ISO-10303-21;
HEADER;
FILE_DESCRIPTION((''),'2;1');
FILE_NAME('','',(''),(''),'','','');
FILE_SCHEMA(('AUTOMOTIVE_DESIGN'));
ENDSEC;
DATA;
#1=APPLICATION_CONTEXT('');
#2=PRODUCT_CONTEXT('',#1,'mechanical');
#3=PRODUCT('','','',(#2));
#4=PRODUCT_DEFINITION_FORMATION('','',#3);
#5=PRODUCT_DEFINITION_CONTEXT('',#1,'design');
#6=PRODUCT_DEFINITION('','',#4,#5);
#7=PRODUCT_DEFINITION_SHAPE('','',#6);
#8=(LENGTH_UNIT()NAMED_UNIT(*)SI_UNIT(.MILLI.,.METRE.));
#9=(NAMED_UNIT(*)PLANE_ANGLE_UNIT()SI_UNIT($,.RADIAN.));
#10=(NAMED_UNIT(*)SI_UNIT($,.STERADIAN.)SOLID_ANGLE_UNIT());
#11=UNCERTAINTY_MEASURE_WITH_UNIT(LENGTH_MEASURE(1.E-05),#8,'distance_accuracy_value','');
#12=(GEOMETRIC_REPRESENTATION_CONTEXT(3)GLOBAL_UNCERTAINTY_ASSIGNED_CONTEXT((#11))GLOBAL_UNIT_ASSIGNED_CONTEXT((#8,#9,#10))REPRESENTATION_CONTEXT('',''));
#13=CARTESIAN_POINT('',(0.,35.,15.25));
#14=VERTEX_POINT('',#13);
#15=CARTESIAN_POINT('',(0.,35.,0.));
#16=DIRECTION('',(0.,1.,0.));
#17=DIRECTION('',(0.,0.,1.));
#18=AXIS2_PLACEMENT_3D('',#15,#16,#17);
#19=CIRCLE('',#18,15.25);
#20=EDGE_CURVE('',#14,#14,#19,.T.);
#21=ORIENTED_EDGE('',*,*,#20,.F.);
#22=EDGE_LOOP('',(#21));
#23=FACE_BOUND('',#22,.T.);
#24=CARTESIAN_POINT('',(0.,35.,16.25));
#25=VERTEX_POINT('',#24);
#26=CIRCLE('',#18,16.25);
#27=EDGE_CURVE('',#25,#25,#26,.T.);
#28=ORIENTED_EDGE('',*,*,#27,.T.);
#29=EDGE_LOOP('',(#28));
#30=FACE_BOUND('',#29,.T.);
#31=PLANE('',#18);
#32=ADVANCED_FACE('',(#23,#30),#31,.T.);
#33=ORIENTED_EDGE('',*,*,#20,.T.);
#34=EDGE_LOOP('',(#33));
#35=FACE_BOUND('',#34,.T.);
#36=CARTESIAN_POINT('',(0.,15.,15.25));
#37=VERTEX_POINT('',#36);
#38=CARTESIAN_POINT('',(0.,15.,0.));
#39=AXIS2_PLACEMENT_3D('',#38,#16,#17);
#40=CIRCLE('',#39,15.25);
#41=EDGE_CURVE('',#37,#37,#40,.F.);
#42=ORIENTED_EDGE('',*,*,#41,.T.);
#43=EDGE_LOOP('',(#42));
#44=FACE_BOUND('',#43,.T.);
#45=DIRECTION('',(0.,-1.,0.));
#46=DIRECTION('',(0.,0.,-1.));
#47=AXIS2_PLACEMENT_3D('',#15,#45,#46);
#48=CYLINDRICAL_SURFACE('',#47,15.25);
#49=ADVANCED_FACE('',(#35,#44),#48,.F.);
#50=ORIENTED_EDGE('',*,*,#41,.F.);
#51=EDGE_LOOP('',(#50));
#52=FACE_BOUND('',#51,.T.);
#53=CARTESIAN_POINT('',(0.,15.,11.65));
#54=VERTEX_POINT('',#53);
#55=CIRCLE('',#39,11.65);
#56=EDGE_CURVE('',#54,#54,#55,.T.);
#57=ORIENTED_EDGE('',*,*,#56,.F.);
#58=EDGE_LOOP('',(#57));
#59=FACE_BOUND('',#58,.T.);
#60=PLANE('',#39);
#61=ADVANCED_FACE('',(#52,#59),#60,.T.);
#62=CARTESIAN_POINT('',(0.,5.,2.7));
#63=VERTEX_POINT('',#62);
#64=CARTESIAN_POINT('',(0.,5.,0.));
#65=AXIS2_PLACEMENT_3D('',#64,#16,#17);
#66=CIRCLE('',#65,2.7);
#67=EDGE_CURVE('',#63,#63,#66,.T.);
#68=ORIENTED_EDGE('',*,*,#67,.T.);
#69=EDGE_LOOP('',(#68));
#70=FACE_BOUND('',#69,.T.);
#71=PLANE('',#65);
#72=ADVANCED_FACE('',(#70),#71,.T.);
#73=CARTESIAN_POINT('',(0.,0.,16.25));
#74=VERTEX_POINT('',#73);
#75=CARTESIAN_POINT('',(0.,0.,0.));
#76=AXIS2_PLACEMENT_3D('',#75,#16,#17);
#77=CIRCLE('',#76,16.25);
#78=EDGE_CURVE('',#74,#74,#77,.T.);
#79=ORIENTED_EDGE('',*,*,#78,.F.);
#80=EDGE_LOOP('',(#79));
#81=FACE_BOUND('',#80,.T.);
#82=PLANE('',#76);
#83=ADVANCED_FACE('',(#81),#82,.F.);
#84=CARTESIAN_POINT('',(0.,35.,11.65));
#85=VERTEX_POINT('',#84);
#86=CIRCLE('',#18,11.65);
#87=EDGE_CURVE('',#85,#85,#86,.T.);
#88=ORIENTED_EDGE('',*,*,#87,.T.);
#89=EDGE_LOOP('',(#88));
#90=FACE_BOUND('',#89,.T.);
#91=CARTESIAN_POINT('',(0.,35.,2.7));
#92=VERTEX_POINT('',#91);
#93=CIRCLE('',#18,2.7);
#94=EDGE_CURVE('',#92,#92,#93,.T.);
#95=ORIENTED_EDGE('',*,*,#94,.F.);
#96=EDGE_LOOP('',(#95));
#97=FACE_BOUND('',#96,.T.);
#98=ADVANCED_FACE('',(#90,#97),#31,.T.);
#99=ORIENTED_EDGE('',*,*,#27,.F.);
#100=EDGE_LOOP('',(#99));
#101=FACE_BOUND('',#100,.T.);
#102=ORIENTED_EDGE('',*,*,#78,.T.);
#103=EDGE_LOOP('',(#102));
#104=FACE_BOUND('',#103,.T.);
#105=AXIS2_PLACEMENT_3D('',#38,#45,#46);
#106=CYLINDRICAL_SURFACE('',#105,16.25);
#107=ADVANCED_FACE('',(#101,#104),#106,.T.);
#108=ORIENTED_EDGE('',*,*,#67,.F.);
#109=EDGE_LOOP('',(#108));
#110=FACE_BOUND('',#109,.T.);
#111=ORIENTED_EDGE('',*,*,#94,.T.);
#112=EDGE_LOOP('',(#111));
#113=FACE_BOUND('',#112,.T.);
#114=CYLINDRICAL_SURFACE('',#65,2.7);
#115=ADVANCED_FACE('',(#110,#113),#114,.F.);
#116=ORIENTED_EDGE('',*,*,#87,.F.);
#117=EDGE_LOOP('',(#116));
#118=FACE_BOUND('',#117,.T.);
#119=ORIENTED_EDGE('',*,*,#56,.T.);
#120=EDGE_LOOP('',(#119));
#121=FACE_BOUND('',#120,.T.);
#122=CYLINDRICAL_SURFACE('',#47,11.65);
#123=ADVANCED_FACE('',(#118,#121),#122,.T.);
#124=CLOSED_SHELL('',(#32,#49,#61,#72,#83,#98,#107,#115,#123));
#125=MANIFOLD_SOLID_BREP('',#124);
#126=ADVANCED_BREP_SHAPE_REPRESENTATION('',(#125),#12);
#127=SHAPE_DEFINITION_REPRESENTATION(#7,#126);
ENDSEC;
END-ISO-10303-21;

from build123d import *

# Parameters (mm, degrees)
SKETCH1_R           = 16.25
BOSS_EXTRUDE1_DEPTH = 15
SKETCH2_R           = 11.65
BOSS_EXTRUDE2_DEPTH = 20
SKETCH3_R           = 16.25
SKETCH3_R_2         = 15.25
BOSS_EXTRUDE4_DEPTH = 20
SKETCH4_R           = 2.7
CUT_EXTRUDE1_DEPTH  = 30


with BuildPart() as part:
    # Sketch1 → Boss-Extrude1 (new body)
    with BuildSketch(Plane(origin=(0, 0, 0), x_dir=(1, 0, 0), z_dir=(0, 1, 0))):
        with Locations(Location((0, 0, 0), (0, 0, 270))):
            Circle(SKETCH1_R)
    extrude(amount=BOSS_EXTRUDE1_DEPTH)

    # Sketch2 → Boss-Extrude2 (add)
    with BuildSketch(Plane(origin=(0, 15, 0), x_dir=(1, 0, 0), z_dir=(0, 1, 0))):
        with Locations(Location((0, 0, 0), (0, 0, 270))):
            Circle(SKETCH2_R)
    extrude(amount=BOSS_EXTRUDE2_DEPTH)

    # Sketch3 → Boss-Extrude4 (add)
    with BuildSketch(Plane(origin=(0, 15, 0), x_dir=(1, 0, 0), z_dir=(0, 1, 0))):
        with Locations(Location((0, 0, 0), (0, 0, 270))):
            Circle(SKETCH3_R)
        with Locations(Location((0, 0, 0), (0, 0, 270))):
            Circle(SKETCH3_R_2, mode=Mode.SUBTRACT)
    extrude(amount=BOSS_EXTRUDE4_DEPTH)

    # Sketch4 → Cut-Extrude1 (cut)
    with BuildSketch(Plane(origin=(0, 35, 0), x_dir=(1, 0, 0), z_dir=(0, 1, 0))):
        with Locations(Location((0, 0, 0), (0, 0, 270))):
            Circle(SKETCH4_R)
    extrude(amount=-CUT_EXTRUDE1_DEPTH, mode=Mode.SUBTRACT)


solid = part.part
